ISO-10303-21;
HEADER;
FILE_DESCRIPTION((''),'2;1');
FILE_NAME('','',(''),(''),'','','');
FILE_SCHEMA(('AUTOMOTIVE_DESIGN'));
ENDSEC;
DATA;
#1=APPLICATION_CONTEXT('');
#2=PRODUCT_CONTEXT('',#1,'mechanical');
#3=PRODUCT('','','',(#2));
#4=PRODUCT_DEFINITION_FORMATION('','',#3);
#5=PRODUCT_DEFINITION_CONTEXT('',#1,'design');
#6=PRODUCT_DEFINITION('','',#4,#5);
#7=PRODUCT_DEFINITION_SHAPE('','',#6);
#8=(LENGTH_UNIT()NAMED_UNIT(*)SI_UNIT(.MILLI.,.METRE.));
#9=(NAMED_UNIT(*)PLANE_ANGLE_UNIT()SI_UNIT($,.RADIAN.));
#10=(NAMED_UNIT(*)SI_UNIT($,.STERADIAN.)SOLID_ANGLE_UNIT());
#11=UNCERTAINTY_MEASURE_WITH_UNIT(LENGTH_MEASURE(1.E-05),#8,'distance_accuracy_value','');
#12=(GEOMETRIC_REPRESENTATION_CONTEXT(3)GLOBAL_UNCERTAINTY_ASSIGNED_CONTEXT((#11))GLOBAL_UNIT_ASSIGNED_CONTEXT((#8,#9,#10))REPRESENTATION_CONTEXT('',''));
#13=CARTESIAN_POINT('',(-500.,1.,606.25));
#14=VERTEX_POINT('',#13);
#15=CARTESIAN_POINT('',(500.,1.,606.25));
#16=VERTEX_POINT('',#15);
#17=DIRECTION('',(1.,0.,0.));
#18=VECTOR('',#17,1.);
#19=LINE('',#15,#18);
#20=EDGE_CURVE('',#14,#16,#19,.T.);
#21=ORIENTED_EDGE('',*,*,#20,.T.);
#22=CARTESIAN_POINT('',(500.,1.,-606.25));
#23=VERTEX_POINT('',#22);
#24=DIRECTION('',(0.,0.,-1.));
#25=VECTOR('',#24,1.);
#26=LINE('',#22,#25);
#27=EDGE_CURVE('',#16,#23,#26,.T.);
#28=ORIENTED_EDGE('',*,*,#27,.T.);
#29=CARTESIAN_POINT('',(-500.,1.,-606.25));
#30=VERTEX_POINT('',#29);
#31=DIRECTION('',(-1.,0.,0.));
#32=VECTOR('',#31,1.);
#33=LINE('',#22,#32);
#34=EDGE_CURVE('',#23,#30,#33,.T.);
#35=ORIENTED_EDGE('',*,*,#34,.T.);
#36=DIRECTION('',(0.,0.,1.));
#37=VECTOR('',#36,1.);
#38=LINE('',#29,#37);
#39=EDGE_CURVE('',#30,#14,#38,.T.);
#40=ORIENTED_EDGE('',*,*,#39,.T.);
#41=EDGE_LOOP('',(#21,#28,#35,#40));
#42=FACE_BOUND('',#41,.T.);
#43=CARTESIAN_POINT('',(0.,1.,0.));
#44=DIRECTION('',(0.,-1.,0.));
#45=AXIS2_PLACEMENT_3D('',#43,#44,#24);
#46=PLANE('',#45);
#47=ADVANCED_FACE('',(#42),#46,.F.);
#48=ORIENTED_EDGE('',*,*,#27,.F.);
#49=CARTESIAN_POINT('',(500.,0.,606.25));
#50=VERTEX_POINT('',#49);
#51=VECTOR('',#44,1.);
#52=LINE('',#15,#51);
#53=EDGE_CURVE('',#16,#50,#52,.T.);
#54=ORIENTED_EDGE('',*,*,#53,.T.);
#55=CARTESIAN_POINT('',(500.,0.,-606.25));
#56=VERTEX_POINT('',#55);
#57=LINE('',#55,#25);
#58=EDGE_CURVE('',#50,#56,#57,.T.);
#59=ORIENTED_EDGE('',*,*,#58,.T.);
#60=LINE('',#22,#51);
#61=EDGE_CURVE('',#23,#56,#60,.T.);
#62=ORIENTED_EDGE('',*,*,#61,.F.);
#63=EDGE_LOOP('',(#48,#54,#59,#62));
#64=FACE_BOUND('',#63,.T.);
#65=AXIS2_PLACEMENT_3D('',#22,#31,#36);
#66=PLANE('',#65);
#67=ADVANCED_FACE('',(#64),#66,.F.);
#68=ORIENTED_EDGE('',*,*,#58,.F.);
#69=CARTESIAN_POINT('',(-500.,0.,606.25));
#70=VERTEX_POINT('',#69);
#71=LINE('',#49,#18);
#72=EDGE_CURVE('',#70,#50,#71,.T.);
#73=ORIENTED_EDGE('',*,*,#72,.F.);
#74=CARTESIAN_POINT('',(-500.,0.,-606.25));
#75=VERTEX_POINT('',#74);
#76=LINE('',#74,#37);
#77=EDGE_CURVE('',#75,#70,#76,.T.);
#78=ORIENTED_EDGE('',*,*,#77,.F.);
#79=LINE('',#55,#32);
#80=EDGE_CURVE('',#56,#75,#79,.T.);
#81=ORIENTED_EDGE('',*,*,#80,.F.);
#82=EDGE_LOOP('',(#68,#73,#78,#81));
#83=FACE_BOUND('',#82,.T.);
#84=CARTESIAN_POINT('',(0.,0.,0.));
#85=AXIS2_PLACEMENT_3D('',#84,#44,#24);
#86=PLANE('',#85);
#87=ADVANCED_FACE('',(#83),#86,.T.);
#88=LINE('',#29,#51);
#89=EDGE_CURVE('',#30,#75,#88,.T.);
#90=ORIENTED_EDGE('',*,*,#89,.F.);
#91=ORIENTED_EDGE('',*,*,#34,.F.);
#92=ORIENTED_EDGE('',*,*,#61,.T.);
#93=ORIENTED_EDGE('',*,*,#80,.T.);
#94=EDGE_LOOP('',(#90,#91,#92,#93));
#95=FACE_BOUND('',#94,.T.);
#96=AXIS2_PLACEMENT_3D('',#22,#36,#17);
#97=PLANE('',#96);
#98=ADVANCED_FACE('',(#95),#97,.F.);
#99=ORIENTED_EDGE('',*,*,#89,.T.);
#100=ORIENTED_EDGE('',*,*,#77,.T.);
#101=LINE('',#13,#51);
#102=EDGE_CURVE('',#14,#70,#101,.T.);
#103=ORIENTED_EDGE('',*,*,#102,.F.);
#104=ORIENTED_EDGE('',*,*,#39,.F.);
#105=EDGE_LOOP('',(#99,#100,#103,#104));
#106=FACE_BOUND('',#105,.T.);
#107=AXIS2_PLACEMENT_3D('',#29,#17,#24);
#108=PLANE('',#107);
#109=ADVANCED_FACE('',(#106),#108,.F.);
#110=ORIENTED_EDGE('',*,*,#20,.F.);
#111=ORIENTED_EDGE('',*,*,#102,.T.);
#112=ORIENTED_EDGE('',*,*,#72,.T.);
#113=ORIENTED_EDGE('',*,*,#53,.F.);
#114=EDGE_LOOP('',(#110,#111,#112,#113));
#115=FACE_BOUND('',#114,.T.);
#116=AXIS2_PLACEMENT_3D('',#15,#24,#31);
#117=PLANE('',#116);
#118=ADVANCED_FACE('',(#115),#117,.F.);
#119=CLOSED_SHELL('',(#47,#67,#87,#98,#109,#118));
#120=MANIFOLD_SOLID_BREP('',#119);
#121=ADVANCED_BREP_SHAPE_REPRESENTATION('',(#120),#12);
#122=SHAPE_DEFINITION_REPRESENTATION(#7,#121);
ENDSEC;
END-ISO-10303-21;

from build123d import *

# Parameters (mm, degrees)
SKETCH_1_W      = 1000
SKETCH_1_H      = 1212.5
EXTRUDE_1_DEPTH = 1


with BuildPart() as part:
    # Эскиз1 → Бобышка-Вытянуть1 (new body)
    with BuildSketch(Plane(origin=(0, 0, 0), x_dir=(1, 0, 0), z_dir=(0, 1, 0))):
        Rectangle(SKETCH_1_W, SKETCH_1_H)
    extrude(amount=EXTRUDE_1_DEPTH)


solid = part.part
